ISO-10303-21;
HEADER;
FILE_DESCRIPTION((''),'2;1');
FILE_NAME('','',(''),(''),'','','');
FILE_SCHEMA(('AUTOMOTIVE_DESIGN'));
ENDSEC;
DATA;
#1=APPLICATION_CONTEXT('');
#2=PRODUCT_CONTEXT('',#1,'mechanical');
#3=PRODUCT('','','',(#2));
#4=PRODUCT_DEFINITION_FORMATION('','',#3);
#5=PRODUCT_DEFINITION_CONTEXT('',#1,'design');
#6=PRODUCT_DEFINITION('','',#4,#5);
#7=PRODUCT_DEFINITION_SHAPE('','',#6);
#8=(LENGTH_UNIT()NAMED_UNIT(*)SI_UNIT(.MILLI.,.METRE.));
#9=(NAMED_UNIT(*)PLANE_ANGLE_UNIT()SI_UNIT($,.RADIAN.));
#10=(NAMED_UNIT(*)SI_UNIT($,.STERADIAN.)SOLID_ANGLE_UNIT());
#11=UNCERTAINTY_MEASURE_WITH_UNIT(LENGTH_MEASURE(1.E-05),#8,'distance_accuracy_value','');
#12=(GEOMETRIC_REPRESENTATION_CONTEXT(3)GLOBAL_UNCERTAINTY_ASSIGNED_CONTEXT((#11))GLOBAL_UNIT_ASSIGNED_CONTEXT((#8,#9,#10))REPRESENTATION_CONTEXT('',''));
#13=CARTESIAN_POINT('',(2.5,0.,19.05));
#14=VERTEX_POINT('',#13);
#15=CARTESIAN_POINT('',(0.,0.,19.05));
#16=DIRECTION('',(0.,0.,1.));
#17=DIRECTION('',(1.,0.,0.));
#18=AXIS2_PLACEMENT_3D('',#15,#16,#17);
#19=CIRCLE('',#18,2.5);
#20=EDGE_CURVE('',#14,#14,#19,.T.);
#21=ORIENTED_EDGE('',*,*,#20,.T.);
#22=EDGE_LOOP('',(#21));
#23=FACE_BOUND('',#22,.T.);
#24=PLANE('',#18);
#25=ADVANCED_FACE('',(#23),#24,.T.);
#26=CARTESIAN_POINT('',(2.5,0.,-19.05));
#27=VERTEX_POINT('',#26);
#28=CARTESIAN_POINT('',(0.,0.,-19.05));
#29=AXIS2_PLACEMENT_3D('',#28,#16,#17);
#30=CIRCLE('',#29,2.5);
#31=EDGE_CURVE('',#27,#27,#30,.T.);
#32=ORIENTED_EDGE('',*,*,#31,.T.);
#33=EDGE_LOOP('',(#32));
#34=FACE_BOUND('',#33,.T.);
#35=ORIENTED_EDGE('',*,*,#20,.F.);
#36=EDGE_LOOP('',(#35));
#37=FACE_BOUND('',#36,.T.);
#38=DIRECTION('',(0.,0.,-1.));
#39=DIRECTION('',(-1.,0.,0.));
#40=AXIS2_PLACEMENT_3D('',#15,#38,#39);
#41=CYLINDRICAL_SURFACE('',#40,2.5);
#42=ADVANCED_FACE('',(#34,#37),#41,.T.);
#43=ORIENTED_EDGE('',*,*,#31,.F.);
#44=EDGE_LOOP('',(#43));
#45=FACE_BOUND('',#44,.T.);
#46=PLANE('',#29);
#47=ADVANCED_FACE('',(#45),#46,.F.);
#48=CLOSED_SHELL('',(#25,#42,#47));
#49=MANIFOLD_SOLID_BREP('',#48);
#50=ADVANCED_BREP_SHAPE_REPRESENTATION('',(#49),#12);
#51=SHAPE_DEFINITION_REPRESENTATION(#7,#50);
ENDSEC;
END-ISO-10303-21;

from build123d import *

# Parameters (mm, degrees)
SKETCH1_R           = 2.5
BOSS_EXTRUDE1_DEPTH = 19.05


with BuildPart() as part:
    # Sketch1 → Boss-Extrude1 (new body, symmetric)
    with BuildSketch(Plane.XY):
        Circle(SKETCH1_R)
    extrude(amount=BOSS_EXTRUDE1_DEPTH, both=True)


solid = part.part
